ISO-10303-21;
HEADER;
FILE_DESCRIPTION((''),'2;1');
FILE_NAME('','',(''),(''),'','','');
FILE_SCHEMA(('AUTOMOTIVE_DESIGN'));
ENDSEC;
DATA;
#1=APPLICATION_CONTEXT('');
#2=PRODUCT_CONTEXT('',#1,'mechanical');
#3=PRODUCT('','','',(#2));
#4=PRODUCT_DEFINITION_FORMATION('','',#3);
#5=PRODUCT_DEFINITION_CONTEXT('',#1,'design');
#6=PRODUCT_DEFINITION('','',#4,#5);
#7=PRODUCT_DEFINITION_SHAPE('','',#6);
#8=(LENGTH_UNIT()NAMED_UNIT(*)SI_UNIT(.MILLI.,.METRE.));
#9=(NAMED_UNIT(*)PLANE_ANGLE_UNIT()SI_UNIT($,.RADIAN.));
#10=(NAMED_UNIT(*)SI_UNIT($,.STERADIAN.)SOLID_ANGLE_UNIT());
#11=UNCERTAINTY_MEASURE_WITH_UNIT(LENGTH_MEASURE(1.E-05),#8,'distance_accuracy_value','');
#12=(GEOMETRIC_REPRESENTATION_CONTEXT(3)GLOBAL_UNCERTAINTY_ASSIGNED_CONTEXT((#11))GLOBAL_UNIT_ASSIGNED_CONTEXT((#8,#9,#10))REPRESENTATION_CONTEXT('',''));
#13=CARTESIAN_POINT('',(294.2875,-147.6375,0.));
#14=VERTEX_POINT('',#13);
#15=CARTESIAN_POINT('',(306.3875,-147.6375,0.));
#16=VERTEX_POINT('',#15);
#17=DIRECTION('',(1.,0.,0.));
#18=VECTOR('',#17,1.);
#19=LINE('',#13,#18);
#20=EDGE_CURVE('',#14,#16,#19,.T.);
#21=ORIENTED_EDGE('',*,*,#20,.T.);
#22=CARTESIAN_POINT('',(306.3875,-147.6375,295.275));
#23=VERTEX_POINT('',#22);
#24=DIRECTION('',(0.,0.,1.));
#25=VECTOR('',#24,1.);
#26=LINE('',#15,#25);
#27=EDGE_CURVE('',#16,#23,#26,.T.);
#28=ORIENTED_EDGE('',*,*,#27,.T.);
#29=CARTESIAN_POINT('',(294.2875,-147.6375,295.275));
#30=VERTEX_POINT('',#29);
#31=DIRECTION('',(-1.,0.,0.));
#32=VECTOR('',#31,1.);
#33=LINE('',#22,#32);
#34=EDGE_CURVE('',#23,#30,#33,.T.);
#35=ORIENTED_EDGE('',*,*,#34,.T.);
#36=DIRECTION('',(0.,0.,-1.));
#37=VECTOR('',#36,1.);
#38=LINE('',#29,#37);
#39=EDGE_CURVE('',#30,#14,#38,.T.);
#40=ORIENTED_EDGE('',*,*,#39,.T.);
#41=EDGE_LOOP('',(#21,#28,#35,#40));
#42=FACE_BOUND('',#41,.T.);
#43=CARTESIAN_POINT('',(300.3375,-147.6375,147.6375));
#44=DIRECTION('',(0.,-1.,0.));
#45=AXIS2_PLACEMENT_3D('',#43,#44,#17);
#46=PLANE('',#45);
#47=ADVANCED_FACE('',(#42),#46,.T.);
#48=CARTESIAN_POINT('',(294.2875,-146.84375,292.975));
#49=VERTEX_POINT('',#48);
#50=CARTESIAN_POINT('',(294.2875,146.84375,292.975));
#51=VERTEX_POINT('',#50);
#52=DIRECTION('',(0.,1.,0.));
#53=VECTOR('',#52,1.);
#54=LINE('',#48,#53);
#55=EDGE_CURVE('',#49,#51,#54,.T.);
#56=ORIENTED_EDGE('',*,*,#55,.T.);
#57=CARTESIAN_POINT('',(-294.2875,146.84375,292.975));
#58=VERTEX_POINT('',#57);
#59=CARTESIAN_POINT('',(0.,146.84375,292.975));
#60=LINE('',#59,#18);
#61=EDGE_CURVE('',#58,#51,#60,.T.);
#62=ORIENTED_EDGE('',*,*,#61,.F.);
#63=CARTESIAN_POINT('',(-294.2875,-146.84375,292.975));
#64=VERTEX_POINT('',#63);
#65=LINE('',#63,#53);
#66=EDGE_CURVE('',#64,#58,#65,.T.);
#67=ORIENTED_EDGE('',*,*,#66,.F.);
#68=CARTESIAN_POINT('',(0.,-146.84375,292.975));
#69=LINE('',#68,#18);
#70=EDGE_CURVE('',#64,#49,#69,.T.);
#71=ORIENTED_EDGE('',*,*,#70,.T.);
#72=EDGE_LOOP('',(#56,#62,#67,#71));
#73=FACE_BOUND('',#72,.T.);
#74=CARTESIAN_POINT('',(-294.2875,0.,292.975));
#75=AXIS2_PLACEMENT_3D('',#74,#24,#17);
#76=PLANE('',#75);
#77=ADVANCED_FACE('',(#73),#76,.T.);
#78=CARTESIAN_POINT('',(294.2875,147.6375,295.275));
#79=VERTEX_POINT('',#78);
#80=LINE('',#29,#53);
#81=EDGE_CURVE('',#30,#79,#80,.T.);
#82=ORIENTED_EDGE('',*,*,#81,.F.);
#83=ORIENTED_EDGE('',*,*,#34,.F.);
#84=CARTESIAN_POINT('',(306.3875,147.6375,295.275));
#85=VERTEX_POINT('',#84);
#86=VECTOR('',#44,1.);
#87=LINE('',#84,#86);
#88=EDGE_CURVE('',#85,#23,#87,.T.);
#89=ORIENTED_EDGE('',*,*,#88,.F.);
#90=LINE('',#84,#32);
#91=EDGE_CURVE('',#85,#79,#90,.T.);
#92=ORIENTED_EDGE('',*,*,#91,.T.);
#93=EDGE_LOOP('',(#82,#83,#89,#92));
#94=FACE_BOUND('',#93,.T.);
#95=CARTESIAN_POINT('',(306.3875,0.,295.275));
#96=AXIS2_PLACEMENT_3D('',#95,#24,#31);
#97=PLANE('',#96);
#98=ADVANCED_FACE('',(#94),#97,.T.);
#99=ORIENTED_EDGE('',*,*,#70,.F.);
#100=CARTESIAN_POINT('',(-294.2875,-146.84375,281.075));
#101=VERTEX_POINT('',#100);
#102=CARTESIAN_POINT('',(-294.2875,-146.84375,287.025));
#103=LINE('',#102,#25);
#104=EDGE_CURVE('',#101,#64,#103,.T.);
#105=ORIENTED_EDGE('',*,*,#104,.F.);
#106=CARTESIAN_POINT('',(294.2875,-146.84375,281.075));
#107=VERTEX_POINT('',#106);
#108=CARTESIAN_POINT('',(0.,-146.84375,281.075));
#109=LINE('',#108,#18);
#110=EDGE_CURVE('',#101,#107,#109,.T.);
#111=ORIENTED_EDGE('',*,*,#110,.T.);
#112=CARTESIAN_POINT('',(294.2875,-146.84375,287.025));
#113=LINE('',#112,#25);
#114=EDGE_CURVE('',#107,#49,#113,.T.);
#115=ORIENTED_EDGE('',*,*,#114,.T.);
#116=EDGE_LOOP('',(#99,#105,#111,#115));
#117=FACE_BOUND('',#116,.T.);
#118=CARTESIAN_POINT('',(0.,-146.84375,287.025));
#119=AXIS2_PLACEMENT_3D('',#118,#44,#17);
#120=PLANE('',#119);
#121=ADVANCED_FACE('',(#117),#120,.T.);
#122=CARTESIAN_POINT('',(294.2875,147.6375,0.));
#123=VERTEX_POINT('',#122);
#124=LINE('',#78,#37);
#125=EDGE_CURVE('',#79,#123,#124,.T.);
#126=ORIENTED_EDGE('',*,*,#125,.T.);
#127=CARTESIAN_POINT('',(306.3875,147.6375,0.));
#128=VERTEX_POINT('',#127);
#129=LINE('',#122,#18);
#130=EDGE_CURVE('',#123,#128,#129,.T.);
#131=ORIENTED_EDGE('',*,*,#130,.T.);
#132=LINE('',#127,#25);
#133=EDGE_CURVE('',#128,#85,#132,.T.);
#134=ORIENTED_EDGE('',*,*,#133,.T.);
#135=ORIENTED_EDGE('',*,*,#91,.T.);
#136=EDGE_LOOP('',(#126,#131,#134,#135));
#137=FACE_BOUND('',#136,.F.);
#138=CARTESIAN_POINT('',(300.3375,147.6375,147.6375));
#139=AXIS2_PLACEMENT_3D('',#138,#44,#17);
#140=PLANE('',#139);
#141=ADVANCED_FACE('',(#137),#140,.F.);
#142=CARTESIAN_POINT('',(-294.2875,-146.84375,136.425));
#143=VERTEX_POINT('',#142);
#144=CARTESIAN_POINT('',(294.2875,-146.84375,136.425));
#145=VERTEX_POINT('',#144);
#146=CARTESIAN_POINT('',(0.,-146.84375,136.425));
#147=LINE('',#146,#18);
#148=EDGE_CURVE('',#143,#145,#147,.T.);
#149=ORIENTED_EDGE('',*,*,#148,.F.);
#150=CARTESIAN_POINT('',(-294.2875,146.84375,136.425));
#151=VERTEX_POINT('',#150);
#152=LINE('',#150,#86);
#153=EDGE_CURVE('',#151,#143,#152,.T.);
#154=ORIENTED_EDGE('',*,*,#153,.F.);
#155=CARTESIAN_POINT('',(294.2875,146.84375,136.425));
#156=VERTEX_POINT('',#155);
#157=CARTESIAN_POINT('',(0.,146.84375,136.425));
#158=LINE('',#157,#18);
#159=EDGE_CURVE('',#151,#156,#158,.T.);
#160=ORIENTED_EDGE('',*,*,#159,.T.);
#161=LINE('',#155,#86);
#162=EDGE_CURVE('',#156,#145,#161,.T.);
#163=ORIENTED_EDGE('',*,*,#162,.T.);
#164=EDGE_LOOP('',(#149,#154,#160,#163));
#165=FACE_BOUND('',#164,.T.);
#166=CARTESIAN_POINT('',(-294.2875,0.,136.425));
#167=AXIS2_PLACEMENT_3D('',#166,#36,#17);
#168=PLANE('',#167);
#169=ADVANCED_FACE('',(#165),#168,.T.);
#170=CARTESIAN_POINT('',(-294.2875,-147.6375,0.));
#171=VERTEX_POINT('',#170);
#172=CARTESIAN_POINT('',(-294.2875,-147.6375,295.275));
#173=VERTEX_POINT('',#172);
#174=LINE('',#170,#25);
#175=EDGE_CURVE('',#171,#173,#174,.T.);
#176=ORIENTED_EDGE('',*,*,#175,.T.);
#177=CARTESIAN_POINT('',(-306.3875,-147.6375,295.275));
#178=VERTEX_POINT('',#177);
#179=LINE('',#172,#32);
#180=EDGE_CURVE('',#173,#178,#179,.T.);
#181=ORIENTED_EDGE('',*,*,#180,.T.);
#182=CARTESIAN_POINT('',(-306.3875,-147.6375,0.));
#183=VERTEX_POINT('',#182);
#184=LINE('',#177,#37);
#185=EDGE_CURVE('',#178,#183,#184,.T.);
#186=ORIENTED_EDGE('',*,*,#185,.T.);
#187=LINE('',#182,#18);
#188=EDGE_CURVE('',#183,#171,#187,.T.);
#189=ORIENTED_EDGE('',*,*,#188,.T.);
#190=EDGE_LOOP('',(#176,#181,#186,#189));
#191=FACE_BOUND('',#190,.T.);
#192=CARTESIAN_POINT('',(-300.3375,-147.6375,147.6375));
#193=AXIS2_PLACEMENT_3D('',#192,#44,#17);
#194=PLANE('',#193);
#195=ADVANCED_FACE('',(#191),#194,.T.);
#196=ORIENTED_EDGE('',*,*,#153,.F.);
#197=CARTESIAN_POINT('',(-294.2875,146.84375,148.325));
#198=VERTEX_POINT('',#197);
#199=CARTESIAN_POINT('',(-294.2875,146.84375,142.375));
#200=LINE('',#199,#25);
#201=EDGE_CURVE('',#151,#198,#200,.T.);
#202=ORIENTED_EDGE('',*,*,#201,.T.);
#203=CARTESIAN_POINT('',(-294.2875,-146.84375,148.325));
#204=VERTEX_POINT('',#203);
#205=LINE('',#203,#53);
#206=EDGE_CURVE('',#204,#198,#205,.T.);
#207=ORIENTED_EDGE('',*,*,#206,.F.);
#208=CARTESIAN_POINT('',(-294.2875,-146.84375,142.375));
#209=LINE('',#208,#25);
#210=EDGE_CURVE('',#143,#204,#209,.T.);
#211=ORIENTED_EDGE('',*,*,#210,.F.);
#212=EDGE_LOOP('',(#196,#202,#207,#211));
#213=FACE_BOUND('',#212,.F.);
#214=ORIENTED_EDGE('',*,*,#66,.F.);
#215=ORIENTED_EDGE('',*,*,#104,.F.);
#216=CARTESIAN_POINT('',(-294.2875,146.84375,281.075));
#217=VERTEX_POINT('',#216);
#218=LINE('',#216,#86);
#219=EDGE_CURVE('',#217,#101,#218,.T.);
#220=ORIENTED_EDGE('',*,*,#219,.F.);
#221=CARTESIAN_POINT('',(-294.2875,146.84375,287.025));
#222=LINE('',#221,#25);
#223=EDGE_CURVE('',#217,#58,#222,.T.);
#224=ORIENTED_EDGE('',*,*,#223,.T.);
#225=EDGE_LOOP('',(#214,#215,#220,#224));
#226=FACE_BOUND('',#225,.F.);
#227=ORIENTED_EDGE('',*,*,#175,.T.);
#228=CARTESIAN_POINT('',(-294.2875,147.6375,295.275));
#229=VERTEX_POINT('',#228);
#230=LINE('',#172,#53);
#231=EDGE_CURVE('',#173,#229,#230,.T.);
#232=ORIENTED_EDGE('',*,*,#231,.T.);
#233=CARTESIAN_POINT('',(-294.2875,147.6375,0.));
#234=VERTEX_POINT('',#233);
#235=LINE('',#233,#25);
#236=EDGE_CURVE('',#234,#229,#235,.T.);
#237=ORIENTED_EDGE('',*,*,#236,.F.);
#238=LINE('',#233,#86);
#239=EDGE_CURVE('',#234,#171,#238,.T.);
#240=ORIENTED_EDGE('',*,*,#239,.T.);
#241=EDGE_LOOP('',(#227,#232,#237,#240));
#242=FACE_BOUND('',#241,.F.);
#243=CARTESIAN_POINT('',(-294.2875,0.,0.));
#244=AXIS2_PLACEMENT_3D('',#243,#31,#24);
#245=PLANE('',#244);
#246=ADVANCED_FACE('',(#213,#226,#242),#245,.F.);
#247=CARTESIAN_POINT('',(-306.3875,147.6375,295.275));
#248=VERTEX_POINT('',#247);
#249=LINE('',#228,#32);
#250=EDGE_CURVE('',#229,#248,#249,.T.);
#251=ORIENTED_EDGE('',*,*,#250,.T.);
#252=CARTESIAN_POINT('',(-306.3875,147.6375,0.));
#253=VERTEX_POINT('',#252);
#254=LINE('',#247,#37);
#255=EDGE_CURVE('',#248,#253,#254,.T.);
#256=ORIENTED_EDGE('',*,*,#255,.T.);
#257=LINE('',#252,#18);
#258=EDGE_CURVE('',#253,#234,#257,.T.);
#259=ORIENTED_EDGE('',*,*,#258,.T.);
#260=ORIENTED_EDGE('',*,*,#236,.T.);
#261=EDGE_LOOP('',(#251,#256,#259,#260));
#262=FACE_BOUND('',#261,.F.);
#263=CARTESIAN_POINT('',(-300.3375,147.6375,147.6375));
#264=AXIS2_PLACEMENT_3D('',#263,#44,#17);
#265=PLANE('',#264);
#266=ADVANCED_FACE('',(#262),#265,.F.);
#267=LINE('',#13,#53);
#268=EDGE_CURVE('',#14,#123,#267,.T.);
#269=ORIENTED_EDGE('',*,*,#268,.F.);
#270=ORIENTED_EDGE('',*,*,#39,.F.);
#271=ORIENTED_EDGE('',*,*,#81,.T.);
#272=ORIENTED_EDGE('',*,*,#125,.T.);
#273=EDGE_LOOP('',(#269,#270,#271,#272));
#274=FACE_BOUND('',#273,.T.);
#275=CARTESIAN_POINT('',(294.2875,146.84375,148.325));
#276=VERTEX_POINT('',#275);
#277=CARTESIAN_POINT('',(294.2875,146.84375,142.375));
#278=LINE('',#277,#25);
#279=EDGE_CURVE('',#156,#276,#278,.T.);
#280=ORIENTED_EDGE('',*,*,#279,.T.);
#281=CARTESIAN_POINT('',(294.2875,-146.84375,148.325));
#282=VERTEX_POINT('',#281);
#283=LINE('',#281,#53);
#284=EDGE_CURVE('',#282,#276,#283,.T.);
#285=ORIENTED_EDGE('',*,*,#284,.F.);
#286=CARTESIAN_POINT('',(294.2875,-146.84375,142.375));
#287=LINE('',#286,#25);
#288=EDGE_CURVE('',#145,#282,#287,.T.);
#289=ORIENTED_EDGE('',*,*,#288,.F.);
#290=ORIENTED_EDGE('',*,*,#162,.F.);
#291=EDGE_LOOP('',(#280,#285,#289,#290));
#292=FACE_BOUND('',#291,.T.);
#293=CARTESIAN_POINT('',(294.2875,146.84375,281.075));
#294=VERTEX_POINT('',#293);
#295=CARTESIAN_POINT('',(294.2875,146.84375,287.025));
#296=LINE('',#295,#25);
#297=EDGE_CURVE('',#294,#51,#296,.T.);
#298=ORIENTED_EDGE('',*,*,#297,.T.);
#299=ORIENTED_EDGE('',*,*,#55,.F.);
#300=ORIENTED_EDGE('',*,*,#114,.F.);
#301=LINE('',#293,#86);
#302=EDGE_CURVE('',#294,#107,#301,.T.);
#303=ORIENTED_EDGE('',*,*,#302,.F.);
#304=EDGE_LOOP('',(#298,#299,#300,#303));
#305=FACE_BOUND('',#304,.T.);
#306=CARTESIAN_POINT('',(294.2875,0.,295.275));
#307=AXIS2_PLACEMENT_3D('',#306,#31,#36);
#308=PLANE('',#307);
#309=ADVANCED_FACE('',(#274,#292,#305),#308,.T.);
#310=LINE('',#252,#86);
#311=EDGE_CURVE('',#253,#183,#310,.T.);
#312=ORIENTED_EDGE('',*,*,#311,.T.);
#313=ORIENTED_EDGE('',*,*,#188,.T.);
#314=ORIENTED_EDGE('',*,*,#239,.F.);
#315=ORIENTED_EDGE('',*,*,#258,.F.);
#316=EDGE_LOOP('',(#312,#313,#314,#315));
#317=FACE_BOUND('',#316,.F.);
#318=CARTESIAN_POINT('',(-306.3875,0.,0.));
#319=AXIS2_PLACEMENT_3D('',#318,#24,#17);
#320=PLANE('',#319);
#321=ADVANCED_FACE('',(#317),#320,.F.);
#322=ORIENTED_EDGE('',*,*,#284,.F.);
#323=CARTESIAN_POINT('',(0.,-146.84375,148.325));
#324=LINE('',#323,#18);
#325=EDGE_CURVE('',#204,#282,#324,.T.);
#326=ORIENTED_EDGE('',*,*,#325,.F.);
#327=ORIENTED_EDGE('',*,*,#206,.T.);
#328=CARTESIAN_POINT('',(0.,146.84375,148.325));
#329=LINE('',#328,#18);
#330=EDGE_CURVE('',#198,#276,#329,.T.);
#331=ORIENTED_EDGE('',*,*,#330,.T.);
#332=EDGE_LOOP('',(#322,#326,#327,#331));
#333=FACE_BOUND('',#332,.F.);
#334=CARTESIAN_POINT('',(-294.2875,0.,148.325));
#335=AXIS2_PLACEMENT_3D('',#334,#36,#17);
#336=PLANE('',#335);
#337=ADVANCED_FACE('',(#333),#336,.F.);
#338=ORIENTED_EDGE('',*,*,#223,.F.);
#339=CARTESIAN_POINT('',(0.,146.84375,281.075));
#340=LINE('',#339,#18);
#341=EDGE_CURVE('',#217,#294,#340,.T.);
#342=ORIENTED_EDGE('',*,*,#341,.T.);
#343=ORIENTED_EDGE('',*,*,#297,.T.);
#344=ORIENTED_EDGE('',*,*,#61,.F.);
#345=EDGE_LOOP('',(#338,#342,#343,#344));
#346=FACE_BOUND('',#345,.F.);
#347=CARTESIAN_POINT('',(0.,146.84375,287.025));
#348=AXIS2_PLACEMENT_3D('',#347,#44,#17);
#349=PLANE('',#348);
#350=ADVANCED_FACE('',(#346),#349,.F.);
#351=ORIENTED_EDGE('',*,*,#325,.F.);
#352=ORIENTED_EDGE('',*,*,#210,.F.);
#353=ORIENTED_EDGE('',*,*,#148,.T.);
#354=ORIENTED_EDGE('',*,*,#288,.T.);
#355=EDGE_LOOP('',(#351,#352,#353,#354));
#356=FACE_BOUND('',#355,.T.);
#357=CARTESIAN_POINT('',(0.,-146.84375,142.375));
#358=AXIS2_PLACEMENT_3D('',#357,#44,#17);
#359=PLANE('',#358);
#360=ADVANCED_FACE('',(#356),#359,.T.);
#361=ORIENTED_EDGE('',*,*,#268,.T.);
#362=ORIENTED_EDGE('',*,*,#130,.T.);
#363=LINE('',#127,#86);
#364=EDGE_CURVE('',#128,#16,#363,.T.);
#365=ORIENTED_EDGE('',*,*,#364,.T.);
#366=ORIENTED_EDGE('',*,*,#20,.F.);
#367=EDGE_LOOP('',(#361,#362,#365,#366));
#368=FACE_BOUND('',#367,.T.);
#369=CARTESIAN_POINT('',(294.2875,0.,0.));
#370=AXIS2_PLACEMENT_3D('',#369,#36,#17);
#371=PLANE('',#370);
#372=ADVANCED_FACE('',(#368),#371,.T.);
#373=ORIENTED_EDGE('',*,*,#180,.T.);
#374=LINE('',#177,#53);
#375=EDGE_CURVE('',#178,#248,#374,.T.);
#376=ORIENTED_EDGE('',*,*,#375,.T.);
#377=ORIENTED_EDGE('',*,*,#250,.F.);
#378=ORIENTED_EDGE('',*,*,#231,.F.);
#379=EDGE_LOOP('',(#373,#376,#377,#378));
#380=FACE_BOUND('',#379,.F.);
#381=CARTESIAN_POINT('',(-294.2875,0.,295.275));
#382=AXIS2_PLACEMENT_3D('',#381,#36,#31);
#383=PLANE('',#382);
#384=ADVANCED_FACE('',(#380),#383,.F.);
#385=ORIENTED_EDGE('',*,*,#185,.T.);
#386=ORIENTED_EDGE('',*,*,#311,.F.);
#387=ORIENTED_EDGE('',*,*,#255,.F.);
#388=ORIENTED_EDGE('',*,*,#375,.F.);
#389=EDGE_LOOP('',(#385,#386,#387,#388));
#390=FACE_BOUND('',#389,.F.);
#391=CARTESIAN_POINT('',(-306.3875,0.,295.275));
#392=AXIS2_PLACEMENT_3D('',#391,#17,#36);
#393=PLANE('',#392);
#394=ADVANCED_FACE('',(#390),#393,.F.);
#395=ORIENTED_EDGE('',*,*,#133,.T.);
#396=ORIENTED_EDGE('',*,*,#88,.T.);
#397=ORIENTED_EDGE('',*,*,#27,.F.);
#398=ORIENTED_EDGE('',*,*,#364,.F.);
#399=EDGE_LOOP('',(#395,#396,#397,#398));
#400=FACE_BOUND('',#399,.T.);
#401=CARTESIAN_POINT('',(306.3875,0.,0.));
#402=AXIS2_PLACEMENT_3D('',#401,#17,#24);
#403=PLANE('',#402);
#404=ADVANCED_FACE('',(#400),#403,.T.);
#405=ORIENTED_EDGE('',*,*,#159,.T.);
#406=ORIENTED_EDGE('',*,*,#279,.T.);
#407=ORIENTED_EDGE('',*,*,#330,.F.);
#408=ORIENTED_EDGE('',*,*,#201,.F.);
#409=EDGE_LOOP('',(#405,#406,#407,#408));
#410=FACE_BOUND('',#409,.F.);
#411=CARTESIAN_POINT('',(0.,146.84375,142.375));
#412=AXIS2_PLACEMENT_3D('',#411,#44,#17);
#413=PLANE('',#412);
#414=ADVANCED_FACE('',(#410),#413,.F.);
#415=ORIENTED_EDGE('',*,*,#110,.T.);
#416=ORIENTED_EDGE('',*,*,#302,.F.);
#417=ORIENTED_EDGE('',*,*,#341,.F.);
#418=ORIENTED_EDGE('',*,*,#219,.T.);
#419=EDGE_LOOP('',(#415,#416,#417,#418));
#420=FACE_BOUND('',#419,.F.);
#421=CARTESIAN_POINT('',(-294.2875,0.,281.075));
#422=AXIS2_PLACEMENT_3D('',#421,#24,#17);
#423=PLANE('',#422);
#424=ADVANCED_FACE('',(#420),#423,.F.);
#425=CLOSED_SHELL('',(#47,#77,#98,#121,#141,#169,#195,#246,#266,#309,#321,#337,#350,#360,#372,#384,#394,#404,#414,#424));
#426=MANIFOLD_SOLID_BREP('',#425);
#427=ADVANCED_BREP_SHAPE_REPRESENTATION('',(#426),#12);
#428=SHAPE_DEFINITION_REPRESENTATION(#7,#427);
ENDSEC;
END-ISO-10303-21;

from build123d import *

# Parameters (mm, degrees)
F1_DEPTH = 147.6375
F0_W     = 588.575
F0_H     = 11.9
F2_DEPTH = 146.84375


with BuildPart() as f1:
    # F0 (on Front) → F1 (new body, symmetric)
    with BuildSketch(Plane.XZ):
        Polygon((-306.3875, 295.275), (-306.3875, 0), (-294.2875, 0), (-294.2875, 136.425), (-294.2875, 148.325), (-294.2875, 281.075), (-294.2875, 292.975), (-294.2875, 295.275), align=None)
        Polygon((294.2875, 148.325), (294.2875, 136.425), (294.2875, 0), (306.3875, 0), (306.3875, 295.275), (294.2875, 295.275), (294.2875, 292.975), (294.2875, 281.075), align=None)
    extrude(amount=F1_DEPTH, both=True)

    # F0 (on Front) → F2 (join, symmetric)
    with BuildSketch(Plane.XZ):
        with Locations((0, 287.025)):
            Rectangle(F0_W, F0_H)
        with Locations((0, 142.375)):
            Rectangle(F0_W, F0_H)
    extrude(amount=F2_DEPTH, both=True)


solid = f1.part
